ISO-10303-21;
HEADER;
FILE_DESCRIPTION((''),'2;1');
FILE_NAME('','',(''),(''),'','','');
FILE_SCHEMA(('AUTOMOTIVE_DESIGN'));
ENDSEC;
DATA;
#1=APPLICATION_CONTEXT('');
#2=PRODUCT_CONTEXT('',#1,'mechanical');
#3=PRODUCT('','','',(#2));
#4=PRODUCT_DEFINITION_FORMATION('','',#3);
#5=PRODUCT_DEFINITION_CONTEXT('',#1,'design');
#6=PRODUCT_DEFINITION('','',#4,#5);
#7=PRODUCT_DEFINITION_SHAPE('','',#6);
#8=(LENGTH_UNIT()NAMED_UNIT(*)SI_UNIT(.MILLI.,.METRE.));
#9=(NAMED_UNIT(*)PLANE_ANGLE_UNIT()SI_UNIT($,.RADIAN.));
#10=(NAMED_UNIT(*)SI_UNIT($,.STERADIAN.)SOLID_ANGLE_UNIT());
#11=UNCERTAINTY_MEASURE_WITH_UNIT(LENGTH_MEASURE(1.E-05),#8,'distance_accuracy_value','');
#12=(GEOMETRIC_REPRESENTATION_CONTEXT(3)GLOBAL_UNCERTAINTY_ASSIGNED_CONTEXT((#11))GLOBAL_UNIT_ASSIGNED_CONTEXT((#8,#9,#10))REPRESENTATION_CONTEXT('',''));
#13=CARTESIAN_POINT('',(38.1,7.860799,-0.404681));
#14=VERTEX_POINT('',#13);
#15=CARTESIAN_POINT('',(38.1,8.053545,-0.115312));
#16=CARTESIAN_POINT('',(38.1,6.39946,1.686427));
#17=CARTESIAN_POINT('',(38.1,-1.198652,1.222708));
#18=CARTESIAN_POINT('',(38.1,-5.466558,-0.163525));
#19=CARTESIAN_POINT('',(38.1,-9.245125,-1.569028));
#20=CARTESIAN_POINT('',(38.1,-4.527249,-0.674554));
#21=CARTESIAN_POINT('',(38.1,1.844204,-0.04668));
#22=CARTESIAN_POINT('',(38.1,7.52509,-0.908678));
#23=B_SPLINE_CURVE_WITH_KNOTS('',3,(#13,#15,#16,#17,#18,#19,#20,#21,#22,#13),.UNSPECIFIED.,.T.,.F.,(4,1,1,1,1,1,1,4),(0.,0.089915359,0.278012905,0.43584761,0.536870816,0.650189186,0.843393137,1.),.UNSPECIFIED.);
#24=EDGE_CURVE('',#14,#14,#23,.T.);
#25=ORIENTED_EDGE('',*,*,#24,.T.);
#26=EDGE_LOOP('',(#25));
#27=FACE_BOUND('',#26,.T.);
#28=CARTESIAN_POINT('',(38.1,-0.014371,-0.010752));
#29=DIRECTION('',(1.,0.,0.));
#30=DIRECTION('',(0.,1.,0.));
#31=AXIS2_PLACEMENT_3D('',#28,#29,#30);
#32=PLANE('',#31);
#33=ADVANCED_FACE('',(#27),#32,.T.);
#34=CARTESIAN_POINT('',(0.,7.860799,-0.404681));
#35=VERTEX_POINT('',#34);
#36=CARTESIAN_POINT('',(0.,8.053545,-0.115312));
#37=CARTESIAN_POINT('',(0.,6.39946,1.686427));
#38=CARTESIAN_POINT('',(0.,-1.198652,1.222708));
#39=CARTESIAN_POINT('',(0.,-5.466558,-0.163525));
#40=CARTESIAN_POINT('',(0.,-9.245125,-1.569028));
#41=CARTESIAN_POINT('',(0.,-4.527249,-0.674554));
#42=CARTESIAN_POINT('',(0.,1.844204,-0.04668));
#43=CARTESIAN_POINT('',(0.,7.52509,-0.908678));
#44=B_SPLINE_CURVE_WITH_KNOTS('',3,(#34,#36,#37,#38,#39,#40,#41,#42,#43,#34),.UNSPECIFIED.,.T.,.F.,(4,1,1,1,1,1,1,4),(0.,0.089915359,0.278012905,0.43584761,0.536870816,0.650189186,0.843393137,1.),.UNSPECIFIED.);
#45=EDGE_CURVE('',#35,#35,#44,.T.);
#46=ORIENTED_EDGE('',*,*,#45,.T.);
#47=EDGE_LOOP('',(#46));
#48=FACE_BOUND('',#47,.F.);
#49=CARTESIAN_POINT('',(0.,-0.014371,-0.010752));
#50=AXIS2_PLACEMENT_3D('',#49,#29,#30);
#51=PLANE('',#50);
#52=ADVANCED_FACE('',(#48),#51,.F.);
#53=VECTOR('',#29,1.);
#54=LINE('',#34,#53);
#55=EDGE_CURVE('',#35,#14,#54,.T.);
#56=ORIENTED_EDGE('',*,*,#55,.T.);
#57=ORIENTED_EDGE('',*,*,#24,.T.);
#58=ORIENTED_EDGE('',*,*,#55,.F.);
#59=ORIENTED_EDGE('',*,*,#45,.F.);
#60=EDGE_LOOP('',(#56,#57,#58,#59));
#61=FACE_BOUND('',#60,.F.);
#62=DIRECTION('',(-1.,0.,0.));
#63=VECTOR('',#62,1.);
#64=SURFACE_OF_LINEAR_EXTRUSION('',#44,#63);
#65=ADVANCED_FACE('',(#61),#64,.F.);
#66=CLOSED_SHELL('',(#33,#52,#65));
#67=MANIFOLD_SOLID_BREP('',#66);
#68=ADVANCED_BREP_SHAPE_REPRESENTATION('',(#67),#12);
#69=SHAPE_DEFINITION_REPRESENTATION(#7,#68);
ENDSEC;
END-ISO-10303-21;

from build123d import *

# Parameters (mm, degrees)
F1_DEPTH = 38.1


with BuildPart() as f1:
    # F0 (on Right) → F1 (new body)
    with BuildSketch(Plane.YZ):
        with BuildLine():
            add(Edge.make_bspline(
                [(7.8607987701, -0.404680683), (8.0535451764, -0.1153120841), (6.3994603739, 1.6864271918), (-1.1986519348, 1.2227081084), (-5.4665583928, -0.1635251896), (-9.2451249569, -1.569027539), (-4.5272492567, -0.6745536492), (1.844204143, -0.0466801089), (7.525089605, -0.9086780992), (7.8607987701, -0.404680683)],
                knots=[0, 0, 0, 0, 0.0899153586, 0.2780129053, 0.4358476102, 0.5368708164, 0.6501891862, 0.8433931374, 1, 1, 1, 1], degree=3))
        make_face()
    extrude(amount=F1_DEPTH)


solid = f1.part
